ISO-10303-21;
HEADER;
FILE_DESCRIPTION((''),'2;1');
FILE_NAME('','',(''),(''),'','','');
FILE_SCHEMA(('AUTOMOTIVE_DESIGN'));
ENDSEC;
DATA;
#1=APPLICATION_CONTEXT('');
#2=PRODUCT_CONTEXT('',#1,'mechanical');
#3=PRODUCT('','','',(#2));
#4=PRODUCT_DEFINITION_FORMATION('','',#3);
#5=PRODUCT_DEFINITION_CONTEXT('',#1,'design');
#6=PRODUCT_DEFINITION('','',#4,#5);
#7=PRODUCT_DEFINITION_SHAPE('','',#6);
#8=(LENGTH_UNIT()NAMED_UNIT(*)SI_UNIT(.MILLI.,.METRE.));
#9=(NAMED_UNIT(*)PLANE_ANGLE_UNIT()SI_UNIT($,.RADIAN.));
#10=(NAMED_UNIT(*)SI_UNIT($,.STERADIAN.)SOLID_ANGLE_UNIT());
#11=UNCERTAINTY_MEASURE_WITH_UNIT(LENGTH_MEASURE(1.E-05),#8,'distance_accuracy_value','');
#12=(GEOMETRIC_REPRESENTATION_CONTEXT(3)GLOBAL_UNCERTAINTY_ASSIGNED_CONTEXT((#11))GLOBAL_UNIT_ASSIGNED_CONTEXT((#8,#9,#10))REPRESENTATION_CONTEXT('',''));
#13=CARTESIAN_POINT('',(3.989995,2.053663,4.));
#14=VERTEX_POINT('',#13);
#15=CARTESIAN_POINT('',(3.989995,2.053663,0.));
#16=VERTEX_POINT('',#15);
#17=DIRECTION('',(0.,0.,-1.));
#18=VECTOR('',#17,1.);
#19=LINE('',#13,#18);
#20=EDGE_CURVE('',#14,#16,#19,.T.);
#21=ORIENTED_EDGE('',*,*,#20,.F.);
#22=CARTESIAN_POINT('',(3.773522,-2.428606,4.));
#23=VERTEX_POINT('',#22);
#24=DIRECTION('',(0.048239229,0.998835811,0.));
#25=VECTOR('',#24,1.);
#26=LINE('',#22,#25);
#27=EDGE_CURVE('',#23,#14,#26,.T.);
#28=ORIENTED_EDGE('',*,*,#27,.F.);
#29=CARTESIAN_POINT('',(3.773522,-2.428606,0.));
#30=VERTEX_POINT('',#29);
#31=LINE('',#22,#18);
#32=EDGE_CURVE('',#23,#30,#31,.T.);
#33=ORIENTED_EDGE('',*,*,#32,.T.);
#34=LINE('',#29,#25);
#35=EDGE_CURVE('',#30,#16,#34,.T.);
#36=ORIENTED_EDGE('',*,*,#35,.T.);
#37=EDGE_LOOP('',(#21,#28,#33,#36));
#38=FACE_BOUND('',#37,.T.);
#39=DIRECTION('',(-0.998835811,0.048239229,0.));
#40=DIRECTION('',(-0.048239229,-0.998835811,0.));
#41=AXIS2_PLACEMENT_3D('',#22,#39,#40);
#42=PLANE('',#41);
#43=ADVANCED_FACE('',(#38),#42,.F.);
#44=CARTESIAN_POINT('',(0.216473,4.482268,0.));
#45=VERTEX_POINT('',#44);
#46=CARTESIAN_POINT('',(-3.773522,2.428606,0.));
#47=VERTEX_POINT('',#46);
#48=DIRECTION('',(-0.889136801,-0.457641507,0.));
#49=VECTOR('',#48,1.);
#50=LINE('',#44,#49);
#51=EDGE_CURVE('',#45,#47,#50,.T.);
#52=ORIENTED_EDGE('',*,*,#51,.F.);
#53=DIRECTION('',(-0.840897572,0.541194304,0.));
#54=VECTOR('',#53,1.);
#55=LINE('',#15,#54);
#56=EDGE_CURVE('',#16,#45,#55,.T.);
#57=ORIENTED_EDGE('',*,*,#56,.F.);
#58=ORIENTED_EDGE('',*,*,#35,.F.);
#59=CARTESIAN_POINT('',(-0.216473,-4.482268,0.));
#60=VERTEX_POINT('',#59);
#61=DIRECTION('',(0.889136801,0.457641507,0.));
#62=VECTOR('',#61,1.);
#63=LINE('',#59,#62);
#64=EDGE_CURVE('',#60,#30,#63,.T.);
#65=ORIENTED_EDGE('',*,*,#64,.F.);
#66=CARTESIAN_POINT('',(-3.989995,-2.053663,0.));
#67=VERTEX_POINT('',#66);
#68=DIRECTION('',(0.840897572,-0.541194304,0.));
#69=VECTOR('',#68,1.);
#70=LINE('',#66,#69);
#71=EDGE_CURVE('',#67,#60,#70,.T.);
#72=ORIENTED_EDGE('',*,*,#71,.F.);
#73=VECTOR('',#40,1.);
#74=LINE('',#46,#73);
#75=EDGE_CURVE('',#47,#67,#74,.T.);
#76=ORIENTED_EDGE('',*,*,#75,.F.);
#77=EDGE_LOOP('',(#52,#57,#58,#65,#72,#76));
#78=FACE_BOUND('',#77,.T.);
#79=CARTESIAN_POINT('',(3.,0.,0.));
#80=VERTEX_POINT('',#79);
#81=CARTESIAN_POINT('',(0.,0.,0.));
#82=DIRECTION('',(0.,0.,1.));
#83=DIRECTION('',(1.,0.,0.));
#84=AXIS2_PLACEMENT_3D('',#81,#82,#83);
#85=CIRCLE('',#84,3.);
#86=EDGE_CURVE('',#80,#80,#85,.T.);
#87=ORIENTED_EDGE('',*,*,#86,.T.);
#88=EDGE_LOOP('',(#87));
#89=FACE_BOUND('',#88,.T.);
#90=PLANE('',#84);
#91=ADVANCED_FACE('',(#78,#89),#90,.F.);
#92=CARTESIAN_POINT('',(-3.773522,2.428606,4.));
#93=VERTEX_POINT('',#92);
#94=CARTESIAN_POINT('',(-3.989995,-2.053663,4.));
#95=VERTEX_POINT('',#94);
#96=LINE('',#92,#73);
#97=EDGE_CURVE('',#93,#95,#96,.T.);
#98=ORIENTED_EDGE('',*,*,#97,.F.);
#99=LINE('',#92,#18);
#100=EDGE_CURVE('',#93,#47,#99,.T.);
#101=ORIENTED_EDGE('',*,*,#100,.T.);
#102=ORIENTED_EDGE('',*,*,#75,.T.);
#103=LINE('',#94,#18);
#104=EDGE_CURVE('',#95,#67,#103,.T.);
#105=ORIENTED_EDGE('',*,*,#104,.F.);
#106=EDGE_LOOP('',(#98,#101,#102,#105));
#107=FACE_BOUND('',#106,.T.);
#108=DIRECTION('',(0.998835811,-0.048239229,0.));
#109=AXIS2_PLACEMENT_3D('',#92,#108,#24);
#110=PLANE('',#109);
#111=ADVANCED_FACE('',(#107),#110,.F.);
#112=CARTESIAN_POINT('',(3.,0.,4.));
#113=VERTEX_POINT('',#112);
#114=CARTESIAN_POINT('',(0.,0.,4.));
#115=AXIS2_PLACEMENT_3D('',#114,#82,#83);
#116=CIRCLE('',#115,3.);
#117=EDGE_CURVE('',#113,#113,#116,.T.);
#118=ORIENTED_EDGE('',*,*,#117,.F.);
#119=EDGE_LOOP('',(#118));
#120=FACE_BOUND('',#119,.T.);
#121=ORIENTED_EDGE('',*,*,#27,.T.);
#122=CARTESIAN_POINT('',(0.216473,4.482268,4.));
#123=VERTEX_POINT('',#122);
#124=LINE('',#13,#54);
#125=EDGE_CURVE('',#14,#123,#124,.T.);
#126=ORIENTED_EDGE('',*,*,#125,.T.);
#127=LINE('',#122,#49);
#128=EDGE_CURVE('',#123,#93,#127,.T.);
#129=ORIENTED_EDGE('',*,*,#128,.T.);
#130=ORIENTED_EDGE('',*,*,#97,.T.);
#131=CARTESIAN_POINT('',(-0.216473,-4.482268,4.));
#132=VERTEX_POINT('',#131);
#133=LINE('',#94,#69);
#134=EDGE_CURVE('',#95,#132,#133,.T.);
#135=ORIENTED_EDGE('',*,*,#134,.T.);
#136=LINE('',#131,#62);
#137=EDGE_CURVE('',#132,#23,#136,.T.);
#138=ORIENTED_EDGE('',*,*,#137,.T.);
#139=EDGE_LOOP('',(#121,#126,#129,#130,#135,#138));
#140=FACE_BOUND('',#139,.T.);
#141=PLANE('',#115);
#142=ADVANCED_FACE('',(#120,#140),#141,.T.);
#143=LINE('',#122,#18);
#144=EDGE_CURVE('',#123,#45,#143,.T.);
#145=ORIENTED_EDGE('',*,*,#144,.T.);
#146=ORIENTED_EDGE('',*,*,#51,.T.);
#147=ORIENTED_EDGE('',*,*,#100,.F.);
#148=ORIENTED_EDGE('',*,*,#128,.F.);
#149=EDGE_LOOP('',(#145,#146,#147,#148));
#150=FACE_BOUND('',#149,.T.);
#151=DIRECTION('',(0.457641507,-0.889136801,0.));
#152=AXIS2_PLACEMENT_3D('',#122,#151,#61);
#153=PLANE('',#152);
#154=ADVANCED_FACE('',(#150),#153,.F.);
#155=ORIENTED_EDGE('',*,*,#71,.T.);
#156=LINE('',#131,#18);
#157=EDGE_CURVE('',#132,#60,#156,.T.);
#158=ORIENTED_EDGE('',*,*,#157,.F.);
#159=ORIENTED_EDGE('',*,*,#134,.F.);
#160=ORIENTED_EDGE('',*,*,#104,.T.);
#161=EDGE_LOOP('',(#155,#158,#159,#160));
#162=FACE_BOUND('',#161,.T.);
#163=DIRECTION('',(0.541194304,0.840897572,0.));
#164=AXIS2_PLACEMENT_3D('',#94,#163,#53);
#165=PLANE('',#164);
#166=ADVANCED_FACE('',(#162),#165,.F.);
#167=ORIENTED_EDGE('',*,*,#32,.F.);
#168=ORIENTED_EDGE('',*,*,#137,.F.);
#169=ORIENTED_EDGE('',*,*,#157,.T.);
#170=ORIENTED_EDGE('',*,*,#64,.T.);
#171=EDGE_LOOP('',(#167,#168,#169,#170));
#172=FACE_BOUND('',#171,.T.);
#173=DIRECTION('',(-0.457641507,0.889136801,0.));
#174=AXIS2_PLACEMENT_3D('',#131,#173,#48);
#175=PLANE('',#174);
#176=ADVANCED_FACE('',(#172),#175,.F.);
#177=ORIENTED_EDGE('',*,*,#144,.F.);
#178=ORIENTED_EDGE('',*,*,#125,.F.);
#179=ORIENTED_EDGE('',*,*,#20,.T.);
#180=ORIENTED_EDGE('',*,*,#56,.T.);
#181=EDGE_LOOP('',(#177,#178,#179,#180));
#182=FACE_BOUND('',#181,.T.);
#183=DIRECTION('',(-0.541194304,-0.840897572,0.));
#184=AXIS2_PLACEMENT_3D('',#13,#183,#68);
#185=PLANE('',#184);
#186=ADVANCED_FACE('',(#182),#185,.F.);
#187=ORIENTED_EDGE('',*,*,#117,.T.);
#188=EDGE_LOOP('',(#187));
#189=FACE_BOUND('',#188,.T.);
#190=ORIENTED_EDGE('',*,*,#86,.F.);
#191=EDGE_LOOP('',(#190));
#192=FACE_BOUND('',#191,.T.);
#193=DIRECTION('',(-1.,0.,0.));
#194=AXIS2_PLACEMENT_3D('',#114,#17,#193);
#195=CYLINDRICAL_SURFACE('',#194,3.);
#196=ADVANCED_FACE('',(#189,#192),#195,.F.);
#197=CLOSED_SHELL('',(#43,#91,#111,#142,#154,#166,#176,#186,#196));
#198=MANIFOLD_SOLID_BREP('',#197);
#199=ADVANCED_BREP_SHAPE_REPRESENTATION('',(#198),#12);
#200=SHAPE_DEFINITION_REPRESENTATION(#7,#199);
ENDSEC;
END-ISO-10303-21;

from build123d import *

# Parameters (mm, degrees)
SKETCH1_R           = 3
BOSS_EXTRUDE1_DEPTH = 4


with BuildPart() as part:
    # Sketch1 → Boss-Extrude1 (new body)
    with BuildSketch(Plane.XY):
        Polygon((0.216473193, 4.482268462), (-3.773521758, 2.428605515), (-3.989994951, -2.053662947), (-0.216473193, -4.482268462), (3.773521758, -2.428605515), (3.989994951, 2.053662947), align=None)
        Circle(SKETCH1_R, mode=Mode.SUBTRACT)
    extrude(amount=BOSS_EXTRUDE1_DEPTH)


solid = part.part
